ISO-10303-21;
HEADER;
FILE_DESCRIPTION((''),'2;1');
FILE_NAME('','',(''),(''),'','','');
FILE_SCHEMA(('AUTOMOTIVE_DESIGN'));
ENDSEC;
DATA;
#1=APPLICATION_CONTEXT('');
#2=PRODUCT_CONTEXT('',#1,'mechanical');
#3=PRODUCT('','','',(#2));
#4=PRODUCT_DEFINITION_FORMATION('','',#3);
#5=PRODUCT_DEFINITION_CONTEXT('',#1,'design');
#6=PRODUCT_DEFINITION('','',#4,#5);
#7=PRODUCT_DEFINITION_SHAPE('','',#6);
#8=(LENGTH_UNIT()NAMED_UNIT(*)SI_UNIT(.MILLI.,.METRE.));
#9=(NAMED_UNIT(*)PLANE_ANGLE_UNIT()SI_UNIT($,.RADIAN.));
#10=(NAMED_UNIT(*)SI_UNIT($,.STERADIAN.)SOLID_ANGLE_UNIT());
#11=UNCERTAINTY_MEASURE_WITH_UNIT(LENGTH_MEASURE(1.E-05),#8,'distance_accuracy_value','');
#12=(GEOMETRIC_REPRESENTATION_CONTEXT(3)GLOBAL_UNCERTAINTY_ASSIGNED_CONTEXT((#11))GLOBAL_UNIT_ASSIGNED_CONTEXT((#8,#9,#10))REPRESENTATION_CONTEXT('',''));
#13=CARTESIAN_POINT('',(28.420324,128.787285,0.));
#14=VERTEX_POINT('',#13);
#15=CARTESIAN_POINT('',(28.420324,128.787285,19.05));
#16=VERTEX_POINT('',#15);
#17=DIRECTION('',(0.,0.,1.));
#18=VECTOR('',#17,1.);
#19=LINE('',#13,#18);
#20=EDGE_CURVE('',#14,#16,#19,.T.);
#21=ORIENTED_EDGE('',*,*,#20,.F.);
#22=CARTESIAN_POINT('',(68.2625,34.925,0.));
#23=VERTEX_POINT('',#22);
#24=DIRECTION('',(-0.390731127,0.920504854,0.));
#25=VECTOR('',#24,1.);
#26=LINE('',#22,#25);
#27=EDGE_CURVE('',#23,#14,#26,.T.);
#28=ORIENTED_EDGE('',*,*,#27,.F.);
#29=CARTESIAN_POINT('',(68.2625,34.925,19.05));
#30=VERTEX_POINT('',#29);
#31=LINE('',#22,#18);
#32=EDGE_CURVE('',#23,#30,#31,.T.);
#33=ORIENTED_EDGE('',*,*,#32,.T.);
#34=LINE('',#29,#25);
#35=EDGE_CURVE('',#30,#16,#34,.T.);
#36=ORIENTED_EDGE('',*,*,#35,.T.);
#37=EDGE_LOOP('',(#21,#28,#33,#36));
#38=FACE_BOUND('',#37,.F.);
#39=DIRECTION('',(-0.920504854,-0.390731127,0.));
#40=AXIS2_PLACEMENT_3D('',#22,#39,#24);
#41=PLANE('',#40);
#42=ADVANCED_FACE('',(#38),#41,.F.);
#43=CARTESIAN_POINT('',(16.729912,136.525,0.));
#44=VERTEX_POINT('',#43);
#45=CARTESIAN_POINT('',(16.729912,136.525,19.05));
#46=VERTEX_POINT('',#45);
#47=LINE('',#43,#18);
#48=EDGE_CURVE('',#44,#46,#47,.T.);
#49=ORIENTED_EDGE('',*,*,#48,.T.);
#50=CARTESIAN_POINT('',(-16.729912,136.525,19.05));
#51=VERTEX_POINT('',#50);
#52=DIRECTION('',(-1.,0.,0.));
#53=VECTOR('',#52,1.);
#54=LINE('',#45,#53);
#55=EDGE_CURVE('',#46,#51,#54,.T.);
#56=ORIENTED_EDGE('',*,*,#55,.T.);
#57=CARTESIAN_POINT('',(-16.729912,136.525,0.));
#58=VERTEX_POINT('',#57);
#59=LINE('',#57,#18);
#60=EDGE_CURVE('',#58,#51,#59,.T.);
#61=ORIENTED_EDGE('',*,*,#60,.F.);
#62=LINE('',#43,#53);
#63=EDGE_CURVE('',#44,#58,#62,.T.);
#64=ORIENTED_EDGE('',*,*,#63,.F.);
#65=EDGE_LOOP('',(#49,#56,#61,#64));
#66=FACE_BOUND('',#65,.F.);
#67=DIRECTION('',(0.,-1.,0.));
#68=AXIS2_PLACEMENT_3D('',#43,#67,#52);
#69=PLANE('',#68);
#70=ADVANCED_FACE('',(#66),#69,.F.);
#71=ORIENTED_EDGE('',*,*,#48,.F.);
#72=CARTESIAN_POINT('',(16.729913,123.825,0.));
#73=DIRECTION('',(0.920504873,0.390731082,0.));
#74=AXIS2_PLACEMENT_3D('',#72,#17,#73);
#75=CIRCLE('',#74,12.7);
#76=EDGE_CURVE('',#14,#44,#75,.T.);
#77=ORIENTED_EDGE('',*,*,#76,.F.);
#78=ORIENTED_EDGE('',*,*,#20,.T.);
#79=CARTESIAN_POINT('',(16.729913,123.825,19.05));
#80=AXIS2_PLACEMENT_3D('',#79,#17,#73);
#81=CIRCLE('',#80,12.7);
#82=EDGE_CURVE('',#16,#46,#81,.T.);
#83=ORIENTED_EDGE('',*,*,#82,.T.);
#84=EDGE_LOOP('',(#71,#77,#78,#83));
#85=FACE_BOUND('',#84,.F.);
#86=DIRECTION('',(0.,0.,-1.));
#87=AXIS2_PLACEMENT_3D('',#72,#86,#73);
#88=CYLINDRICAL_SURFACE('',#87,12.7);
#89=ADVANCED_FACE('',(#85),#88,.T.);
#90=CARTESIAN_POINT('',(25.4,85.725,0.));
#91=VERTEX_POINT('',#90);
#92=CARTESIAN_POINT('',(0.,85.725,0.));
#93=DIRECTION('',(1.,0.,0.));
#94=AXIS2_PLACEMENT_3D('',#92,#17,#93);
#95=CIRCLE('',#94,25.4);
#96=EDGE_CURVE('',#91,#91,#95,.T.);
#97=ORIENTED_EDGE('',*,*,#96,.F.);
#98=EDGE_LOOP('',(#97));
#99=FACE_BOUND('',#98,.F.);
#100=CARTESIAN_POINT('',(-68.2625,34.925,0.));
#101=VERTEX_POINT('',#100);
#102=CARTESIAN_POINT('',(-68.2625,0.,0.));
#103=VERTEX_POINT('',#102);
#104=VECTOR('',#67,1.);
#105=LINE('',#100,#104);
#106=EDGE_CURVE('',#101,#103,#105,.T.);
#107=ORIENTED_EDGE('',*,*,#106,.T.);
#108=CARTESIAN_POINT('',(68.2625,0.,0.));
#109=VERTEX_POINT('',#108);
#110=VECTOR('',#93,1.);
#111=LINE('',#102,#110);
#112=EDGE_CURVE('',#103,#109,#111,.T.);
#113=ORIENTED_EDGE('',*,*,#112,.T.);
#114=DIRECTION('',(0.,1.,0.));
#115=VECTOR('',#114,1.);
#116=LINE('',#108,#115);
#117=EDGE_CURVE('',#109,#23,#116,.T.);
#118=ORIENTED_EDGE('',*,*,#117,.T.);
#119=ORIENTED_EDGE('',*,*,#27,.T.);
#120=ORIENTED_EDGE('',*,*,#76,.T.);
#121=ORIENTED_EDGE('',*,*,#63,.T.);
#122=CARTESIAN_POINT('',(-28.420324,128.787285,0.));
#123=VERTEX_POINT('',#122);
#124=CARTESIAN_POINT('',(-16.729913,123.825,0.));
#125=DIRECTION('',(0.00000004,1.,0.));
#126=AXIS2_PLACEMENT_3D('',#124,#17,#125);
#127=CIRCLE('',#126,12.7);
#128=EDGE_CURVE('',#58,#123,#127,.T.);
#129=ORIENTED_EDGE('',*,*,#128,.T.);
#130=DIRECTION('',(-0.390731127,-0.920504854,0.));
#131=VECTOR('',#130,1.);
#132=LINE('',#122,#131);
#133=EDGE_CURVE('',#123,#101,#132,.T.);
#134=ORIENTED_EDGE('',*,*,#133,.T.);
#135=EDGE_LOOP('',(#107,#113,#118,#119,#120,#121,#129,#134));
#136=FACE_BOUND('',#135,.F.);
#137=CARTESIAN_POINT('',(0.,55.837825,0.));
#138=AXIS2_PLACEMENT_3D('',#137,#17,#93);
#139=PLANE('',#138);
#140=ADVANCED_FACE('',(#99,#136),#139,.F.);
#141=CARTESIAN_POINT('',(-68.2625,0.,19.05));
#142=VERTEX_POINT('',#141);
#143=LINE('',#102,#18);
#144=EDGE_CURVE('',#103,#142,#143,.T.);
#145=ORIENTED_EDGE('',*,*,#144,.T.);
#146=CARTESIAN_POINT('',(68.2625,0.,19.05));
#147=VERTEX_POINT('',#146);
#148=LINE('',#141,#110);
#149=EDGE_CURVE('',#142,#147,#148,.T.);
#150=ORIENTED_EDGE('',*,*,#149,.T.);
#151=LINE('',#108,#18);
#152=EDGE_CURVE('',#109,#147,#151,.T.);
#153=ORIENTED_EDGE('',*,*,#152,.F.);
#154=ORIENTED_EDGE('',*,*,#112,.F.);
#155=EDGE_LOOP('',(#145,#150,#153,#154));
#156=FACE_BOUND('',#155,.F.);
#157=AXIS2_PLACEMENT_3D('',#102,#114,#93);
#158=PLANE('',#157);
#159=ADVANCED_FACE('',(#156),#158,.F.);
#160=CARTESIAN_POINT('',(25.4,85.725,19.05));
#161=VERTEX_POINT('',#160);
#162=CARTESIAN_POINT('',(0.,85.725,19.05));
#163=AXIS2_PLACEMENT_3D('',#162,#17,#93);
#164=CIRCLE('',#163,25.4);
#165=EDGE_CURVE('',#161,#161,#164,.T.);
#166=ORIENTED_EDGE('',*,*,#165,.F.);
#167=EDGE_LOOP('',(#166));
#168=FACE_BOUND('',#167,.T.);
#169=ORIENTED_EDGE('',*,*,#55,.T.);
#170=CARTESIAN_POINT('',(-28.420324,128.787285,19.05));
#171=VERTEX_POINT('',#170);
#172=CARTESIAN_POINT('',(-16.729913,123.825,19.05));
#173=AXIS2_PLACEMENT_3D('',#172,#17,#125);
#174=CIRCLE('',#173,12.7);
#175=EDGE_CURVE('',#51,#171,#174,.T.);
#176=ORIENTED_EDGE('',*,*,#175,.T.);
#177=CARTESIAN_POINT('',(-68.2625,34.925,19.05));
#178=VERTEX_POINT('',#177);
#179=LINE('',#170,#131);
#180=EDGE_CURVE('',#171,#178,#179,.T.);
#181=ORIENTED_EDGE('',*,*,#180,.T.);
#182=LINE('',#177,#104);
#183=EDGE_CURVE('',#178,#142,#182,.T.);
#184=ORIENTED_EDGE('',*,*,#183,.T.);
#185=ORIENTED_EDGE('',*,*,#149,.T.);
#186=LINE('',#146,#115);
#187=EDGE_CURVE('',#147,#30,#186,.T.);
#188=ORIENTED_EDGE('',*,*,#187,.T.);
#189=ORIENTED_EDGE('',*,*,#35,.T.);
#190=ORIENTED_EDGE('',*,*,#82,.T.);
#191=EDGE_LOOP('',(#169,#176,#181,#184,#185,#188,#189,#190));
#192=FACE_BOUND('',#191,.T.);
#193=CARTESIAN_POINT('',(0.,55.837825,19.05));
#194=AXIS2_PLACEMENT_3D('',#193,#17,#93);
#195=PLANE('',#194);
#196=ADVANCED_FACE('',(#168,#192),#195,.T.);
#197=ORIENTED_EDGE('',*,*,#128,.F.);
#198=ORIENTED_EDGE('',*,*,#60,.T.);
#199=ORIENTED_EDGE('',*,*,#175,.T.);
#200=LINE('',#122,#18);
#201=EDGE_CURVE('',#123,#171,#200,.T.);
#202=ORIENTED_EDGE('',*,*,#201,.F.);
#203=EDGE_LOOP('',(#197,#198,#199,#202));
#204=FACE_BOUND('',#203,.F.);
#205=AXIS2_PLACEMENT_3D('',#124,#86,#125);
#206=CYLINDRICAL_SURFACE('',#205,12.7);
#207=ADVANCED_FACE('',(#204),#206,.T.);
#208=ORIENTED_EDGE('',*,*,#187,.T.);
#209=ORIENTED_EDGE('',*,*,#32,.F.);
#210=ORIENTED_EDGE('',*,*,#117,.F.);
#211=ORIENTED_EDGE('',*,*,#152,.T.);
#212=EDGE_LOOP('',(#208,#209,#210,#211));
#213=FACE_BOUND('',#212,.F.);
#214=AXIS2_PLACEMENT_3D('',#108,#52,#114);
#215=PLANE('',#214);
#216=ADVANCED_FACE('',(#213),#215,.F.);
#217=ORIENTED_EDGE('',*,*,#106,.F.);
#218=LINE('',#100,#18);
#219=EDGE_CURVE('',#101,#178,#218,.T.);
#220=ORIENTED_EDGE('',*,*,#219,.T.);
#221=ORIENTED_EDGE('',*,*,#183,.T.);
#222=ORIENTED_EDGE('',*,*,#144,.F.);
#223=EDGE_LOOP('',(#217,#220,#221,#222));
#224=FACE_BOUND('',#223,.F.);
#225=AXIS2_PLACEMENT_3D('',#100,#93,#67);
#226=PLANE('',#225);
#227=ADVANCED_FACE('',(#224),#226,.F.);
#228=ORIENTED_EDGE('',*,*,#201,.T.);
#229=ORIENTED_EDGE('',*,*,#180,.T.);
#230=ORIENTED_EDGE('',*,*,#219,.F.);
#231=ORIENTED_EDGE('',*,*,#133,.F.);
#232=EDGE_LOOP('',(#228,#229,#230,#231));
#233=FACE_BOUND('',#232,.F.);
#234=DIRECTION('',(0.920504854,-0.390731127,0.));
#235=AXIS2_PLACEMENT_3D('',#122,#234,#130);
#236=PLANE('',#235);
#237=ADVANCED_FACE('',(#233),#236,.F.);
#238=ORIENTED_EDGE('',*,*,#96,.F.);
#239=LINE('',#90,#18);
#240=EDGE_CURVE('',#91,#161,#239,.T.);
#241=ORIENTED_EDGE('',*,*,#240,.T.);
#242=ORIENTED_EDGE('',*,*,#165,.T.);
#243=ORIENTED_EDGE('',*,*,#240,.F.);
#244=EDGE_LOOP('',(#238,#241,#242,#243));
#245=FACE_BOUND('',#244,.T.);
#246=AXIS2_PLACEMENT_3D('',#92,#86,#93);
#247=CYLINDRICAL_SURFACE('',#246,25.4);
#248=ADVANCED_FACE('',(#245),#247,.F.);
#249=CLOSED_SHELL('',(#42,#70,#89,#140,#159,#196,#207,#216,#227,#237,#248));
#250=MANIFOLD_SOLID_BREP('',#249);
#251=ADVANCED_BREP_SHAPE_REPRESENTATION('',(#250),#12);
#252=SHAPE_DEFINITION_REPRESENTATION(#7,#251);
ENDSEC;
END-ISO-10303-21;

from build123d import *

# Parameters (mm, degrees)
F0_R     = 25.4
F1_DEPTH = 19.05


with BuildPart() as f1:
    # F0 (on Top) → F1 (new body)
    with BuildSketch(Plane.XY):
        with BuildLine():
            Line((-68.2625, 34.925), (-68.2625, 0))
            Line((-68.2625, 0), (68.2625, 0))
            Line((68.2625, 0), (68.2625, 34.925))
            Line((68.2625, 34.925), (28.420324, 128.787285))
            ThreePointArc((28.420324, 128.787285), (23.739512, 134.41535), (16.729912, 136.525))
            Line((16.729912, 136.525), (-16.729912, 136.525))
            ThreePointArc((-16.729912, 136.525), (-23.739512, 134.41535), (-28.420324, 128.787285))
            Line((-28.420324, 128.787285), (-68.2625, 34.925))
        make_face()
        with Locations((0, 85.725)):
            Circle(F0_R, mode=Mode.SUBTRACT)
    extrude(amount=F1_DEPTH)


solid = f1.part
